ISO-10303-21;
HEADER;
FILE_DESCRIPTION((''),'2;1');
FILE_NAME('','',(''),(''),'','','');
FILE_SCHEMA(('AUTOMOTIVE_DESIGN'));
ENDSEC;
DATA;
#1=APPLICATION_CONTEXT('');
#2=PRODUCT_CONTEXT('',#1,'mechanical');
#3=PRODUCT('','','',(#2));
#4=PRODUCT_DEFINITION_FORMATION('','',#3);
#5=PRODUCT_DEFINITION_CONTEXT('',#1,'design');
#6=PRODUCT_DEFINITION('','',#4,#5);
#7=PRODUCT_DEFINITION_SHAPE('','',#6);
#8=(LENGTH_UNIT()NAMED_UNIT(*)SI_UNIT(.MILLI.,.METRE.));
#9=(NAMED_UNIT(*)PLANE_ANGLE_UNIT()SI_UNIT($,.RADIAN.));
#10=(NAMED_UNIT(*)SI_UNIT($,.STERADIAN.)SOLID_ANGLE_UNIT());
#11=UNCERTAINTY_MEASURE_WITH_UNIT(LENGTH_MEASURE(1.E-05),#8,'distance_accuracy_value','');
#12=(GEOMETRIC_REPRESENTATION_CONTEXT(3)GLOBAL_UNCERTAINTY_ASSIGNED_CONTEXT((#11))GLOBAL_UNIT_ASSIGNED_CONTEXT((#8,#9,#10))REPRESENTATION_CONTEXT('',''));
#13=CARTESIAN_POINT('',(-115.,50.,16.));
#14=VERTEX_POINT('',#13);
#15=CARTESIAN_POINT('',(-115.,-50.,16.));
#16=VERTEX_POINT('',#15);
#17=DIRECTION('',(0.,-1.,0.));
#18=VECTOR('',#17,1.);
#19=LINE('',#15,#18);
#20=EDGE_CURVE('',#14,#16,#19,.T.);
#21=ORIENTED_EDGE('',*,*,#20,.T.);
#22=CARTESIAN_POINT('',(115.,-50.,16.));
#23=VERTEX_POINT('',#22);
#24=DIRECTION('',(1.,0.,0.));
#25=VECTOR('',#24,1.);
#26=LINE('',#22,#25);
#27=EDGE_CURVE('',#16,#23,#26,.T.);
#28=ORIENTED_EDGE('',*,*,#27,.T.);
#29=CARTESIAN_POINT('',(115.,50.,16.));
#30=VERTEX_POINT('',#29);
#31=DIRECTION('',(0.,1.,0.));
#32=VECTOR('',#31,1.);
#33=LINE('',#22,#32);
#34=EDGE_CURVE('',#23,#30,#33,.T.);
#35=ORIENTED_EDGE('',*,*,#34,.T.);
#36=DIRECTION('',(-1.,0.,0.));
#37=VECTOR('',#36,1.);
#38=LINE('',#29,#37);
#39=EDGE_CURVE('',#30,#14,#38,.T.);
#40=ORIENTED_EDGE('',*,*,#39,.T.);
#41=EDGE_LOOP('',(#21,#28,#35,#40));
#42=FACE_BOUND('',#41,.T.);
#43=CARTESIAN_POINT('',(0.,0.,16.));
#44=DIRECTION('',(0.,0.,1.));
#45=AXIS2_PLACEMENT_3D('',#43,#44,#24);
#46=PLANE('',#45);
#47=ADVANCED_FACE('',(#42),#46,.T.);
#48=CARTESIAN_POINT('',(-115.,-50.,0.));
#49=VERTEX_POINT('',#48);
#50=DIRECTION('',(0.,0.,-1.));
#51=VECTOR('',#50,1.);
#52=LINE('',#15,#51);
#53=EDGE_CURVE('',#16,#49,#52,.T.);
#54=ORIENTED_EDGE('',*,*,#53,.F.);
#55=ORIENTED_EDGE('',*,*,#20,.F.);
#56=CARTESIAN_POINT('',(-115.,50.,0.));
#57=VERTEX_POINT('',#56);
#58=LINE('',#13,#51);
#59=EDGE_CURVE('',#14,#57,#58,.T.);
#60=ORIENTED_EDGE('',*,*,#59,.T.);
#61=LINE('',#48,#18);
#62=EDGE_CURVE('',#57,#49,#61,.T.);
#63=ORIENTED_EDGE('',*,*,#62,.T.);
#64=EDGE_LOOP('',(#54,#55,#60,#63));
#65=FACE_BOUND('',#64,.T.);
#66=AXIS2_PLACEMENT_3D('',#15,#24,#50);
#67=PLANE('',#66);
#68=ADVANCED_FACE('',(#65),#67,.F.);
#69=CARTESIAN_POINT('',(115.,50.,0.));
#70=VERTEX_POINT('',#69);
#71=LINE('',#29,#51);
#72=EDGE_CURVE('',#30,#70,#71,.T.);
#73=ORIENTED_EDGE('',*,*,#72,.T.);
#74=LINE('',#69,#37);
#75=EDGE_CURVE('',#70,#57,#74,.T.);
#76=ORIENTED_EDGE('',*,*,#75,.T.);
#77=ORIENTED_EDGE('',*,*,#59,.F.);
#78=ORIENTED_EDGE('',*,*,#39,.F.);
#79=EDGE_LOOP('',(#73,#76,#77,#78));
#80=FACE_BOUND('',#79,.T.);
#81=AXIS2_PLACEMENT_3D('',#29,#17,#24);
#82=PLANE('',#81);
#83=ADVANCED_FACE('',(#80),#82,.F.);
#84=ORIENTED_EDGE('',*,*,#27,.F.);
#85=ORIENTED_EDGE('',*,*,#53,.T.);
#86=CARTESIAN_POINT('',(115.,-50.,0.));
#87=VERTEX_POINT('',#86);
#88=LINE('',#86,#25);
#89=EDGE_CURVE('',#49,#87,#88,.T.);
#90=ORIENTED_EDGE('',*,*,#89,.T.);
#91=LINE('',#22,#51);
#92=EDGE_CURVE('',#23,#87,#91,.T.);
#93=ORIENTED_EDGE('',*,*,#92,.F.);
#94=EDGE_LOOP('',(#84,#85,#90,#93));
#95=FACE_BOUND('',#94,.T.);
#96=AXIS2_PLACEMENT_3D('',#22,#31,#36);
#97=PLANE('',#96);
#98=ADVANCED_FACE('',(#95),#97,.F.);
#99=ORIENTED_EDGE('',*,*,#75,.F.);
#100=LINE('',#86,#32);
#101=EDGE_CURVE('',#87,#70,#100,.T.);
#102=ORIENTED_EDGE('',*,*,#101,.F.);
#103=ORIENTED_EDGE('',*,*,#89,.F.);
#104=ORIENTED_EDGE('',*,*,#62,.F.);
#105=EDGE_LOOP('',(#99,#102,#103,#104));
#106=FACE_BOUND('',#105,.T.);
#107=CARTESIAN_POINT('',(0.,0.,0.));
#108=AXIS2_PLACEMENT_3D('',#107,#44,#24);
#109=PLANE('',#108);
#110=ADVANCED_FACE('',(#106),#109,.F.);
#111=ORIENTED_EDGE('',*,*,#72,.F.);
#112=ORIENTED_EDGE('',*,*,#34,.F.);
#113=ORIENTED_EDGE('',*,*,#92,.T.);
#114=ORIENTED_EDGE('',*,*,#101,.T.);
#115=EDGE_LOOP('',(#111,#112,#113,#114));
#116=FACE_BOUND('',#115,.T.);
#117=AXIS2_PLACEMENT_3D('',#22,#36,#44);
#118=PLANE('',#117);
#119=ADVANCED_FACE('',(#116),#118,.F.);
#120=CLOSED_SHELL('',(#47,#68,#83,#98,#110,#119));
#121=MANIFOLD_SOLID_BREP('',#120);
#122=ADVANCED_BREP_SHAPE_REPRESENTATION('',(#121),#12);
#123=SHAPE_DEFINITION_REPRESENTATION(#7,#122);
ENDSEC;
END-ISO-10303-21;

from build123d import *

# Parameters (mm, degrees)
SKETCH_1_W      = 230
SKETCH_1_H      = 100
EXTRUDE_1_DEPTH = 16


with BuildPart() as part:
    # 草图1 → 凸台-拉伸1 (new body)
    with BuildSketch(Plane.XY):
        Rectangle(SKETCH_1_W, SKETCH_1_H)
    extrude(amount=EXTRUDE_1_DEPTH)


solid = part.part
